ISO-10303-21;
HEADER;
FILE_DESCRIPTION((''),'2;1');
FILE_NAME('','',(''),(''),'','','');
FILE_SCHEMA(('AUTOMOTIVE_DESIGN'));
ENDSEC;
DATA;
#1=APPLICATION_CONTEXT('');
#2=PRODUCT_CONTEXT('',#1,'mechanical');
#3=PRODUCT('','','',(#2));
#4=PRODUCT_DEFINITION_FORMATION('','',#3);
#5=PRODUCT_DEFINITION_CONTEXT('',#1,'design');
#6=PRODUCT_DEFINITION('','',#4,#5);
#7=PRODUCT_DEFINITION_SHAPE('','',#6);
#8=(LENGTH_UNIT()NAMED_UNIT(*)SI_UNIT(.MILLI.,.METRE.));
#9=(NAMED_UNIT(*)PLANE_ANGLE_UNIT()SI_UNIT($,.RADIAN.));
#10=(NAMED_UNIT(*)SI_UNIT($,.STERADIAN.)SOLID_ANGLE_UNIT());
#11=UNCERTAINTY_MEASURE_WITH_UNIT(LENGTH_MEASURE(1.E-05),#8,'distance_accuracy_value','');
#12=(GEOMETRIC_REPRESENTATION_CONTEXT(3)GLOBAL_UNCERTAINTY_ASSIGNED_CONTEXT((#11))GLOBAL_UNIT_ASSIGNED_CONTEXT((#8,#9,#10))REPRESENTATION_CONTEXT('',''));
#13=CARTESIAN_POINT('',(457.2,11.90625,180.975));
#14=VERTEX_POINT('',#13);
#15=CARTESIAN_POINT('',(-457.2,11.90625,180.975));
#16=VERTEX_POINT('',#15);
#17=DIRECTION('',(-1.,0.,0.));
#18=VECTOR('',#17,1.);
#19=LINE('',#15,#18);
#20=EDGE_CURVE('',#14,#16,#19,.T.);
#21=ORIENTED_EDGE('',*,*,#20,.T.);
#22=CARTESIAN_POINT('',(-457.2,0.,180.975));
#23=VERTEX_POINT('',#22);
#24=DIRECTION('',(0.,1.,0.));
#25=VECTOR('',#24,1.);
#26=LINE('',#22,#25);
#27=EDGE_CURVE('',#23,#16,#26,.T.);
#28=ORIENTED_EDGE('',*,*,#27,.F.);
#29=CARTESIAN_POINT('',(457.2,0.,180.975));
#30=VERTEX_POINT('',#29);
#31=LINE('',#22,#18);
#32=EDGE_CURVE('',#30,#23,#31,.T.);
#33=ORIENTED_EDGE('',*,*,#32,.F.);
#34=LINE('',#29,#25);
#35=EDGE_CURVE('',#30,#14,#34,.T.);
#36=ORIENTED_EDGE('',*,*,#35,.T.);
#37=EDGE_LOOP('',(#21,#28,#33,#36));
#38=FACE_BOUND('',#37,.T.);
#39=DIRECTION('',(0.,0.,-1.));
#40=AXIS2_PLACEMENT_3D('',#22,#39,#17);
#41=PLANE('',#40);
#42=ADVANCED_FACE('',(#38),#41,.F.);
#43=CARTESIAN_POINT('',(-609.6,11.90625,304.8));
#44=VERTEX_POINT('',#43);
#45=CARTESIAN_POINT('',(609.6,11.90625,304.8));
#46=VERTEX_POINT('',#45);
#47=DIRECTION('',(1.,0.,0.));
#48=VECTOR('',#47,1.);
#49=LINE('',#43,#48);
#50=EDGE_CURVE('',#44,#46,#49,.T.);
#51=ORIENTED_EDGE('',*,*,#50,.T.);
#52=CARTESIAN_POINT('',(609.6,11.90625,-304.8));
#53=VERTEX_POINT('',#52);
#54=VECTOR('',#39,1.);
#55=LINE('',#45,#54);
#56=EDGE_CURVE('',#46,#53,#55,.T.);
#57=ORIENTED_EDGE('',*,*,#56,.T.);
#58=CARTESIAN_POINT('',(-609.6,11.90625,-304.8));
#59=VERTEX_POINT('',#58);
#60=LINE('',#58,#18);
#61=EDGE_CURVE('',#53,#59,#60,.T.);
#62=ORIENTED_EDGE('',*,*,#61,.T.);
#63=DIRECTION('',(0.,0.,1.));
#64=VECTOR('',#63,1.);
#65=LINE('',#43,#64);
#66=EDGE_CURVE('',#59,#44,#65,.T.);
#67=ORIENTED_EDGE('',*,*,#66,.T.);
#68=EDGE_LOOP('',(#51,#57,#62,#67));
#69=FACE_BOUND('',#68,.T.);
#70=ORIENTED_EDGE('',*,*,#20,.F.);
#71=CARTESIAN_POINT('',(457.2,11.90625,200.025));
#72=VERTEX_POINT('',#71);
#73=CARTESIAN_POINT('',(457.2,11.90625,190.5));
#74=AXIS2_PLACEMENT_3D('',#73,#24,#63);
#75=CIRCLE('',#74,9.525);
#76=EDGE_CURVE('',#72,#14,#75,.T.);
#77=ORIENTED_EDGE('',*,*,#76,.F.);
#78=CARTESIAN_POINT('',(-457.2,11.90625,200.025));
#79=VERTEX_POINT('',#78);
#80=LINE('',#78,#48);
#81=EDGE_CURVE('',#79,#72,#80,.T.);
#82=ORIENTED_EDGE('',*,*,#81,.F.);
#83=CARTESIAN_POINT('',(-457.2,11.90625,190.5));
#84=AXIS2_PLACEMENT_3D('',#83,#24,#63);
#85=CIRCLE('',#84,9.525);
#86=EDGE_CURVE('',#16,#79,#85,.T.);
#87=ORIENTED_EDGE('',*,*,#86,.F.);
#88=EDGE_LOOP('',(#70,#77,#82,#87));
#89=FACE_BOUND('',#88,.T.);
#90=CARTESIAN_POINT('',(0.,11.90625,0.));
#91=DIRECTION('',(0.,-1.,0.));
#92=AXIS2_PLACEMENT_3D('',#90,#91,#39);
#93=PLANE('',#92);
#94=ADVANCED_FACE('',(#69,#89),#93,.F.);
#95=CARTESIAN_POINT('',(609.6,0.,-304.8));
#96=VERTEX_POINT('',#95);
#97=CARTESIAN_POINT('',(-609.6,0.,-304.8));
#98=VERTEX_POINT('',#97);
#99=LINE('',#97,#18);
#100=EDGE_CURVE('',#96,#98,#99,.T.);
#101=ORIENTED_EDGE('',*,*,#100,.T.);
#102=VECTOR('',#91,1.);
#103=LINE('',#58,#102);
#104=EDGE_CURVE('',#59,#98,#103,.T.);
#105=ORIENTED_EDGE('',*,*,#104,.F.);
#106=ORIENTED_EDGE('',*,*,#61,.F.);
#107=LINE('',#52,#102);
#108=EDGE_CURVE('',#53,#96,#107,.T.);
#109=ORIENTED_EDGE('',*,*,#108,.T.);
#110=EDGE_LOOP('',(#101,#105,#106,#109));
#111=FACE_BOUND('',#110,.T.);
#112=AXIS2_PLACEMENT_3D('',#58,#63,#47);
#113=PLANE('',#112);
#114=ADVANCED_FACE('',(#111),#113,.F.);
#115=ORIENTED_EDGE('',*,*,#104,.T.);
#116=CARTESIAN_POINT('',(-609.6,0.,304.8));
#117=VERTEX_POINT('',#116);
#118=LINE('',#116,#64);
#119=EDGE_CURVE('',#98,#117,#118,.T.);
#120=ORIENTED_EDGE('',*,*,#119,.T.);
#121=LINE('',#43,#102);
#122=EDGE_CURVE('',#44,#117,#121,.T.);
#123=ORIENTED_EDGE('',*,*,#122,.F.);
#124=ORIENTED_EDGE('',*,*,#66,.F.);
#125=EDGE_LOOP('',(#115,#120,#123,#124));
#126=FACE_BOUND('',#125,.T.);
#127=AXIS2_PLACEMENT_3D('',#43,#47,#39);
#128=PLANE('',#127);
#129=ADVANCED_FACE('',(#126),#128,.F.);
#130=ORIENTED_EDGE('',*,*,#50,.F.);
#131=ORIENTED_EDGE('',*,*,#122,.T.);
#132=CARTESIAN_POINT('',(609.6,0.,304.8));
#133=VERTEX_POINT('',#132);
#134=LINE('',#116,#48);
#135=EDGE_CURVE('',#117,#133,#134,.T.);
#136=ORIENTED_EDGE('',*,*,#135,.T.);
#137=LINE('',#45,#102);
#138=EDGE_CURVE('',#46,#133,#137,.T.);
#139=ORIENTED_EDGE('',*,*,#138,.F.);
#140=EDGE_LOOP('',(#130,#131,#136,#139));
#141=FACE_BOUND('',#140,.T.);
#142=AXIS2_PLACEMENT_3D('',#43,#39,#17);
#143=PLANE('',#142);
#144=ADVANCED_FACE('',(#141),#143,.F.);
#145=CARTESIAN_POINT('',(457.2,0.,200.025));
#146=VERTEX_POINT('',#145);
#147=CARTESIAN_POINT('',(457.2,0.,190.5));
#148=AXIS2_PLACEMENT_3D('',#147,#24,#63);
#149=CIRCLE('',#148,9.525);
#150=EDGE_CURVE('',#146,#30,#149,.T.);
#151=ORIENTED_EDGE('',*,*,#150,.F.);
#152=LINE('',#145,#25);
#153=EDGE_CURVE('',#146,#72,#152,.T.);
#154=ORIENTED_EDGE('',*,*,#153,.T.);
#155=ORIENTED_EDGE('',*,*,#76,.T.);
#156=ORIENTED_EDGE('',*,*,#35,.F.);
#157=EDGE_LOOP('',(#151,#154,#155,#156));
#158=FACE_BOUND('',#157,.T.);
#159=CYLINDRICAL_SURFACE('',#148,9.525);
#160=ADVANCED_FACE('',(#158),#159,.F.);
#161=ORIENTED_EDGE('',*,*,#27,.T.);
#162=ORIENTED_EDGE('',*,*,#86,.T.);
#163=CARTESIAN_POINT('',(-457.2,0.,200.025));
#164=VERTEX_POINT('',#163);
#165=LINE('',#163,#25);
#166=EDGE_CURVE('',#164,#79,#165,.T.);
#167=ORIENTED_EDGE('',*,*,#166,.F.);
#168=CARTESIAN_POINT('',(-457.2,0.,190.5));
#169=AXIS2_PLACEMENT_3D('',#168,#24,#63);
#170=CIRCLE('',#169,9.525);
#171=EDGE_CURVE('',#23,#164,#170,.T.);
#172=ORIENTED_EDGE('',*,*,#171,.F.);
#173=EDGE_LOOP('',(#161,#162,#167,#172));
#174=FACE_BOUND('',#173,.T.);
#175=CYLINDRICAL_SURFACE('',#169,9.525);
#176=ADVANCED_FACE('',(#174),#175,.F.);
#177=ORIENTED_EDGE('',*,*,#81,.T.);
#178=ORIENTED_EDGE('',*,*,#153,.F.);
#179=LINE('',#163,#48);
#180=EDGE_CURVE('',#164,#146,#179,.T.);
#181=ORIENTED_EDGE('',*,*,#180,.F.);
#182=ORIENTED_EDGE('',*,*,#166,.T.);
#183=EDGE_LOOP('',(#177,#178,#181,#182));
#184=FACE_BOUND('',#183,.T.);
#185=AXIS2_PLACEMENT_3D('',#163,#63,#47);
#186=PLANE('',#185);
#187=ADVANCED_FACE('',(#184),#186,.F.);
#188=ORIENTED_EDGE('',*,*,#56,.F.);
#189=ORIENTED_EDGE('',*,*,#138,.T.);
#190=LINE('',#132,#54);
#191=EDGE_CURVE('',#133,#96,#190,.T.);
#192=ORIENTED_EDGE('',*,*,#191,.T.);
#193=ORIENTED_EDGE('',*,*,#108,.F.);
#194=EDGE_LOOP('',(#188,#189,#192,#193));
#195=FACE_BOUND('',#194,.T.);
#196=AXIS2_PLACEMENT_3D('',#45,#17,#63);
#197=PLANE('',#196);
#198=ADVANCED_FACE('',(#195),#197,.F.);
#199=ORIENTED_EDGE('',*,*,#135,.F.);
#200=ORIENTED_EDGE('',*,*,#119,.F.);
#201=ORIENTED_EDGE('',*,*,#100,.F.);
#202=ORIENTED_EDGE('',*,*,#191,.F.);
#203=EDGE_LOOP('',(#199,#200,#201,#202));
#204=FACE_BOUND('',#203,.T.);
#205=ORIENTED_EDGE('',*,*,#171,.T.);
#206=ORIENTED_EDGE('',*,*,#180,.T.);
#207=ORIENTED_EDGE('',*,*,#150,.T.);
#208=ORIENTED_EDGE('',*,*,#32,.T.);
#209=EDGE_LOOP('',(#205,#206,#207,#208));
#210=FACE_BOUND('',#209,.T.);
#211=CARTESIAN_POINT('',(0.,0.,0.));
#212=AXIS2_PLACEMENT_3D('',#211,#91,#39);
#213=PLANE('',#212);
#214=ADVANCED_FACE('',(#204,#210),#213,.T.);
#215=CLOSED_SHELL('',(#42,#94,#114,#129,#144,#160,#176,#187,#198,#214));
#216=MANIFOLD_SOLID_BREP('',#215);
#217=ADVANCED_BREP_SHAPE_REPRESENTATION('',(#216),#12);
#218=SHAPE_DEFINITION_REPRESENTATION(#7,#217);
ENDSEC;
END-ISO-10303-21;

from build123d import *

# Parameters (mm, degrees)
SKETCH1_W           = 1219.2
SKETCH1_H           = 609.6
BOSS_EXTRUDE1_DEPTH = 11.90625
CUT_EXTRUDE1_DEPTH  = 12.90625


with BuildPart() as part:
    # Sketch1 → Boss-Extrude1 (new body)
    with BuildSketch(Plane(origin=(0, 0, 0), x_dir=(1, 0, 0), z_dir=(0, 1, 0))):
        Rectangle(SKETCH1_W, SKETCH1_H)
    extrude(amount=BOSS_EXTRUDE1_DEPTH)

    # Sketch2 → Cut-Extrude1 (cut, through all)
    with BuildSketch(Plane(origin=(0, 11.90625, 0), x_dir=(1, 0, 0), z_dir=(0, 1, 0))):
        with BuildLine():
            Line((-457.2, -180.975), (457.2, -180.975))
            ThreePointArc((457.2, -180.975), (466.725, -190.5), (457.2, -200.025))
            Line((457.2, -200.025), (-457.2, -200.025))
            ThreePointArc((-457.2, -200.025), (-466.725, -190.5), (-457.2, -180.975))
        make_face()
    extrude(amount=-CUT_EXTRUDE1_DEPTH, mode=Mode.SUBTRACT)


solid = part.part
